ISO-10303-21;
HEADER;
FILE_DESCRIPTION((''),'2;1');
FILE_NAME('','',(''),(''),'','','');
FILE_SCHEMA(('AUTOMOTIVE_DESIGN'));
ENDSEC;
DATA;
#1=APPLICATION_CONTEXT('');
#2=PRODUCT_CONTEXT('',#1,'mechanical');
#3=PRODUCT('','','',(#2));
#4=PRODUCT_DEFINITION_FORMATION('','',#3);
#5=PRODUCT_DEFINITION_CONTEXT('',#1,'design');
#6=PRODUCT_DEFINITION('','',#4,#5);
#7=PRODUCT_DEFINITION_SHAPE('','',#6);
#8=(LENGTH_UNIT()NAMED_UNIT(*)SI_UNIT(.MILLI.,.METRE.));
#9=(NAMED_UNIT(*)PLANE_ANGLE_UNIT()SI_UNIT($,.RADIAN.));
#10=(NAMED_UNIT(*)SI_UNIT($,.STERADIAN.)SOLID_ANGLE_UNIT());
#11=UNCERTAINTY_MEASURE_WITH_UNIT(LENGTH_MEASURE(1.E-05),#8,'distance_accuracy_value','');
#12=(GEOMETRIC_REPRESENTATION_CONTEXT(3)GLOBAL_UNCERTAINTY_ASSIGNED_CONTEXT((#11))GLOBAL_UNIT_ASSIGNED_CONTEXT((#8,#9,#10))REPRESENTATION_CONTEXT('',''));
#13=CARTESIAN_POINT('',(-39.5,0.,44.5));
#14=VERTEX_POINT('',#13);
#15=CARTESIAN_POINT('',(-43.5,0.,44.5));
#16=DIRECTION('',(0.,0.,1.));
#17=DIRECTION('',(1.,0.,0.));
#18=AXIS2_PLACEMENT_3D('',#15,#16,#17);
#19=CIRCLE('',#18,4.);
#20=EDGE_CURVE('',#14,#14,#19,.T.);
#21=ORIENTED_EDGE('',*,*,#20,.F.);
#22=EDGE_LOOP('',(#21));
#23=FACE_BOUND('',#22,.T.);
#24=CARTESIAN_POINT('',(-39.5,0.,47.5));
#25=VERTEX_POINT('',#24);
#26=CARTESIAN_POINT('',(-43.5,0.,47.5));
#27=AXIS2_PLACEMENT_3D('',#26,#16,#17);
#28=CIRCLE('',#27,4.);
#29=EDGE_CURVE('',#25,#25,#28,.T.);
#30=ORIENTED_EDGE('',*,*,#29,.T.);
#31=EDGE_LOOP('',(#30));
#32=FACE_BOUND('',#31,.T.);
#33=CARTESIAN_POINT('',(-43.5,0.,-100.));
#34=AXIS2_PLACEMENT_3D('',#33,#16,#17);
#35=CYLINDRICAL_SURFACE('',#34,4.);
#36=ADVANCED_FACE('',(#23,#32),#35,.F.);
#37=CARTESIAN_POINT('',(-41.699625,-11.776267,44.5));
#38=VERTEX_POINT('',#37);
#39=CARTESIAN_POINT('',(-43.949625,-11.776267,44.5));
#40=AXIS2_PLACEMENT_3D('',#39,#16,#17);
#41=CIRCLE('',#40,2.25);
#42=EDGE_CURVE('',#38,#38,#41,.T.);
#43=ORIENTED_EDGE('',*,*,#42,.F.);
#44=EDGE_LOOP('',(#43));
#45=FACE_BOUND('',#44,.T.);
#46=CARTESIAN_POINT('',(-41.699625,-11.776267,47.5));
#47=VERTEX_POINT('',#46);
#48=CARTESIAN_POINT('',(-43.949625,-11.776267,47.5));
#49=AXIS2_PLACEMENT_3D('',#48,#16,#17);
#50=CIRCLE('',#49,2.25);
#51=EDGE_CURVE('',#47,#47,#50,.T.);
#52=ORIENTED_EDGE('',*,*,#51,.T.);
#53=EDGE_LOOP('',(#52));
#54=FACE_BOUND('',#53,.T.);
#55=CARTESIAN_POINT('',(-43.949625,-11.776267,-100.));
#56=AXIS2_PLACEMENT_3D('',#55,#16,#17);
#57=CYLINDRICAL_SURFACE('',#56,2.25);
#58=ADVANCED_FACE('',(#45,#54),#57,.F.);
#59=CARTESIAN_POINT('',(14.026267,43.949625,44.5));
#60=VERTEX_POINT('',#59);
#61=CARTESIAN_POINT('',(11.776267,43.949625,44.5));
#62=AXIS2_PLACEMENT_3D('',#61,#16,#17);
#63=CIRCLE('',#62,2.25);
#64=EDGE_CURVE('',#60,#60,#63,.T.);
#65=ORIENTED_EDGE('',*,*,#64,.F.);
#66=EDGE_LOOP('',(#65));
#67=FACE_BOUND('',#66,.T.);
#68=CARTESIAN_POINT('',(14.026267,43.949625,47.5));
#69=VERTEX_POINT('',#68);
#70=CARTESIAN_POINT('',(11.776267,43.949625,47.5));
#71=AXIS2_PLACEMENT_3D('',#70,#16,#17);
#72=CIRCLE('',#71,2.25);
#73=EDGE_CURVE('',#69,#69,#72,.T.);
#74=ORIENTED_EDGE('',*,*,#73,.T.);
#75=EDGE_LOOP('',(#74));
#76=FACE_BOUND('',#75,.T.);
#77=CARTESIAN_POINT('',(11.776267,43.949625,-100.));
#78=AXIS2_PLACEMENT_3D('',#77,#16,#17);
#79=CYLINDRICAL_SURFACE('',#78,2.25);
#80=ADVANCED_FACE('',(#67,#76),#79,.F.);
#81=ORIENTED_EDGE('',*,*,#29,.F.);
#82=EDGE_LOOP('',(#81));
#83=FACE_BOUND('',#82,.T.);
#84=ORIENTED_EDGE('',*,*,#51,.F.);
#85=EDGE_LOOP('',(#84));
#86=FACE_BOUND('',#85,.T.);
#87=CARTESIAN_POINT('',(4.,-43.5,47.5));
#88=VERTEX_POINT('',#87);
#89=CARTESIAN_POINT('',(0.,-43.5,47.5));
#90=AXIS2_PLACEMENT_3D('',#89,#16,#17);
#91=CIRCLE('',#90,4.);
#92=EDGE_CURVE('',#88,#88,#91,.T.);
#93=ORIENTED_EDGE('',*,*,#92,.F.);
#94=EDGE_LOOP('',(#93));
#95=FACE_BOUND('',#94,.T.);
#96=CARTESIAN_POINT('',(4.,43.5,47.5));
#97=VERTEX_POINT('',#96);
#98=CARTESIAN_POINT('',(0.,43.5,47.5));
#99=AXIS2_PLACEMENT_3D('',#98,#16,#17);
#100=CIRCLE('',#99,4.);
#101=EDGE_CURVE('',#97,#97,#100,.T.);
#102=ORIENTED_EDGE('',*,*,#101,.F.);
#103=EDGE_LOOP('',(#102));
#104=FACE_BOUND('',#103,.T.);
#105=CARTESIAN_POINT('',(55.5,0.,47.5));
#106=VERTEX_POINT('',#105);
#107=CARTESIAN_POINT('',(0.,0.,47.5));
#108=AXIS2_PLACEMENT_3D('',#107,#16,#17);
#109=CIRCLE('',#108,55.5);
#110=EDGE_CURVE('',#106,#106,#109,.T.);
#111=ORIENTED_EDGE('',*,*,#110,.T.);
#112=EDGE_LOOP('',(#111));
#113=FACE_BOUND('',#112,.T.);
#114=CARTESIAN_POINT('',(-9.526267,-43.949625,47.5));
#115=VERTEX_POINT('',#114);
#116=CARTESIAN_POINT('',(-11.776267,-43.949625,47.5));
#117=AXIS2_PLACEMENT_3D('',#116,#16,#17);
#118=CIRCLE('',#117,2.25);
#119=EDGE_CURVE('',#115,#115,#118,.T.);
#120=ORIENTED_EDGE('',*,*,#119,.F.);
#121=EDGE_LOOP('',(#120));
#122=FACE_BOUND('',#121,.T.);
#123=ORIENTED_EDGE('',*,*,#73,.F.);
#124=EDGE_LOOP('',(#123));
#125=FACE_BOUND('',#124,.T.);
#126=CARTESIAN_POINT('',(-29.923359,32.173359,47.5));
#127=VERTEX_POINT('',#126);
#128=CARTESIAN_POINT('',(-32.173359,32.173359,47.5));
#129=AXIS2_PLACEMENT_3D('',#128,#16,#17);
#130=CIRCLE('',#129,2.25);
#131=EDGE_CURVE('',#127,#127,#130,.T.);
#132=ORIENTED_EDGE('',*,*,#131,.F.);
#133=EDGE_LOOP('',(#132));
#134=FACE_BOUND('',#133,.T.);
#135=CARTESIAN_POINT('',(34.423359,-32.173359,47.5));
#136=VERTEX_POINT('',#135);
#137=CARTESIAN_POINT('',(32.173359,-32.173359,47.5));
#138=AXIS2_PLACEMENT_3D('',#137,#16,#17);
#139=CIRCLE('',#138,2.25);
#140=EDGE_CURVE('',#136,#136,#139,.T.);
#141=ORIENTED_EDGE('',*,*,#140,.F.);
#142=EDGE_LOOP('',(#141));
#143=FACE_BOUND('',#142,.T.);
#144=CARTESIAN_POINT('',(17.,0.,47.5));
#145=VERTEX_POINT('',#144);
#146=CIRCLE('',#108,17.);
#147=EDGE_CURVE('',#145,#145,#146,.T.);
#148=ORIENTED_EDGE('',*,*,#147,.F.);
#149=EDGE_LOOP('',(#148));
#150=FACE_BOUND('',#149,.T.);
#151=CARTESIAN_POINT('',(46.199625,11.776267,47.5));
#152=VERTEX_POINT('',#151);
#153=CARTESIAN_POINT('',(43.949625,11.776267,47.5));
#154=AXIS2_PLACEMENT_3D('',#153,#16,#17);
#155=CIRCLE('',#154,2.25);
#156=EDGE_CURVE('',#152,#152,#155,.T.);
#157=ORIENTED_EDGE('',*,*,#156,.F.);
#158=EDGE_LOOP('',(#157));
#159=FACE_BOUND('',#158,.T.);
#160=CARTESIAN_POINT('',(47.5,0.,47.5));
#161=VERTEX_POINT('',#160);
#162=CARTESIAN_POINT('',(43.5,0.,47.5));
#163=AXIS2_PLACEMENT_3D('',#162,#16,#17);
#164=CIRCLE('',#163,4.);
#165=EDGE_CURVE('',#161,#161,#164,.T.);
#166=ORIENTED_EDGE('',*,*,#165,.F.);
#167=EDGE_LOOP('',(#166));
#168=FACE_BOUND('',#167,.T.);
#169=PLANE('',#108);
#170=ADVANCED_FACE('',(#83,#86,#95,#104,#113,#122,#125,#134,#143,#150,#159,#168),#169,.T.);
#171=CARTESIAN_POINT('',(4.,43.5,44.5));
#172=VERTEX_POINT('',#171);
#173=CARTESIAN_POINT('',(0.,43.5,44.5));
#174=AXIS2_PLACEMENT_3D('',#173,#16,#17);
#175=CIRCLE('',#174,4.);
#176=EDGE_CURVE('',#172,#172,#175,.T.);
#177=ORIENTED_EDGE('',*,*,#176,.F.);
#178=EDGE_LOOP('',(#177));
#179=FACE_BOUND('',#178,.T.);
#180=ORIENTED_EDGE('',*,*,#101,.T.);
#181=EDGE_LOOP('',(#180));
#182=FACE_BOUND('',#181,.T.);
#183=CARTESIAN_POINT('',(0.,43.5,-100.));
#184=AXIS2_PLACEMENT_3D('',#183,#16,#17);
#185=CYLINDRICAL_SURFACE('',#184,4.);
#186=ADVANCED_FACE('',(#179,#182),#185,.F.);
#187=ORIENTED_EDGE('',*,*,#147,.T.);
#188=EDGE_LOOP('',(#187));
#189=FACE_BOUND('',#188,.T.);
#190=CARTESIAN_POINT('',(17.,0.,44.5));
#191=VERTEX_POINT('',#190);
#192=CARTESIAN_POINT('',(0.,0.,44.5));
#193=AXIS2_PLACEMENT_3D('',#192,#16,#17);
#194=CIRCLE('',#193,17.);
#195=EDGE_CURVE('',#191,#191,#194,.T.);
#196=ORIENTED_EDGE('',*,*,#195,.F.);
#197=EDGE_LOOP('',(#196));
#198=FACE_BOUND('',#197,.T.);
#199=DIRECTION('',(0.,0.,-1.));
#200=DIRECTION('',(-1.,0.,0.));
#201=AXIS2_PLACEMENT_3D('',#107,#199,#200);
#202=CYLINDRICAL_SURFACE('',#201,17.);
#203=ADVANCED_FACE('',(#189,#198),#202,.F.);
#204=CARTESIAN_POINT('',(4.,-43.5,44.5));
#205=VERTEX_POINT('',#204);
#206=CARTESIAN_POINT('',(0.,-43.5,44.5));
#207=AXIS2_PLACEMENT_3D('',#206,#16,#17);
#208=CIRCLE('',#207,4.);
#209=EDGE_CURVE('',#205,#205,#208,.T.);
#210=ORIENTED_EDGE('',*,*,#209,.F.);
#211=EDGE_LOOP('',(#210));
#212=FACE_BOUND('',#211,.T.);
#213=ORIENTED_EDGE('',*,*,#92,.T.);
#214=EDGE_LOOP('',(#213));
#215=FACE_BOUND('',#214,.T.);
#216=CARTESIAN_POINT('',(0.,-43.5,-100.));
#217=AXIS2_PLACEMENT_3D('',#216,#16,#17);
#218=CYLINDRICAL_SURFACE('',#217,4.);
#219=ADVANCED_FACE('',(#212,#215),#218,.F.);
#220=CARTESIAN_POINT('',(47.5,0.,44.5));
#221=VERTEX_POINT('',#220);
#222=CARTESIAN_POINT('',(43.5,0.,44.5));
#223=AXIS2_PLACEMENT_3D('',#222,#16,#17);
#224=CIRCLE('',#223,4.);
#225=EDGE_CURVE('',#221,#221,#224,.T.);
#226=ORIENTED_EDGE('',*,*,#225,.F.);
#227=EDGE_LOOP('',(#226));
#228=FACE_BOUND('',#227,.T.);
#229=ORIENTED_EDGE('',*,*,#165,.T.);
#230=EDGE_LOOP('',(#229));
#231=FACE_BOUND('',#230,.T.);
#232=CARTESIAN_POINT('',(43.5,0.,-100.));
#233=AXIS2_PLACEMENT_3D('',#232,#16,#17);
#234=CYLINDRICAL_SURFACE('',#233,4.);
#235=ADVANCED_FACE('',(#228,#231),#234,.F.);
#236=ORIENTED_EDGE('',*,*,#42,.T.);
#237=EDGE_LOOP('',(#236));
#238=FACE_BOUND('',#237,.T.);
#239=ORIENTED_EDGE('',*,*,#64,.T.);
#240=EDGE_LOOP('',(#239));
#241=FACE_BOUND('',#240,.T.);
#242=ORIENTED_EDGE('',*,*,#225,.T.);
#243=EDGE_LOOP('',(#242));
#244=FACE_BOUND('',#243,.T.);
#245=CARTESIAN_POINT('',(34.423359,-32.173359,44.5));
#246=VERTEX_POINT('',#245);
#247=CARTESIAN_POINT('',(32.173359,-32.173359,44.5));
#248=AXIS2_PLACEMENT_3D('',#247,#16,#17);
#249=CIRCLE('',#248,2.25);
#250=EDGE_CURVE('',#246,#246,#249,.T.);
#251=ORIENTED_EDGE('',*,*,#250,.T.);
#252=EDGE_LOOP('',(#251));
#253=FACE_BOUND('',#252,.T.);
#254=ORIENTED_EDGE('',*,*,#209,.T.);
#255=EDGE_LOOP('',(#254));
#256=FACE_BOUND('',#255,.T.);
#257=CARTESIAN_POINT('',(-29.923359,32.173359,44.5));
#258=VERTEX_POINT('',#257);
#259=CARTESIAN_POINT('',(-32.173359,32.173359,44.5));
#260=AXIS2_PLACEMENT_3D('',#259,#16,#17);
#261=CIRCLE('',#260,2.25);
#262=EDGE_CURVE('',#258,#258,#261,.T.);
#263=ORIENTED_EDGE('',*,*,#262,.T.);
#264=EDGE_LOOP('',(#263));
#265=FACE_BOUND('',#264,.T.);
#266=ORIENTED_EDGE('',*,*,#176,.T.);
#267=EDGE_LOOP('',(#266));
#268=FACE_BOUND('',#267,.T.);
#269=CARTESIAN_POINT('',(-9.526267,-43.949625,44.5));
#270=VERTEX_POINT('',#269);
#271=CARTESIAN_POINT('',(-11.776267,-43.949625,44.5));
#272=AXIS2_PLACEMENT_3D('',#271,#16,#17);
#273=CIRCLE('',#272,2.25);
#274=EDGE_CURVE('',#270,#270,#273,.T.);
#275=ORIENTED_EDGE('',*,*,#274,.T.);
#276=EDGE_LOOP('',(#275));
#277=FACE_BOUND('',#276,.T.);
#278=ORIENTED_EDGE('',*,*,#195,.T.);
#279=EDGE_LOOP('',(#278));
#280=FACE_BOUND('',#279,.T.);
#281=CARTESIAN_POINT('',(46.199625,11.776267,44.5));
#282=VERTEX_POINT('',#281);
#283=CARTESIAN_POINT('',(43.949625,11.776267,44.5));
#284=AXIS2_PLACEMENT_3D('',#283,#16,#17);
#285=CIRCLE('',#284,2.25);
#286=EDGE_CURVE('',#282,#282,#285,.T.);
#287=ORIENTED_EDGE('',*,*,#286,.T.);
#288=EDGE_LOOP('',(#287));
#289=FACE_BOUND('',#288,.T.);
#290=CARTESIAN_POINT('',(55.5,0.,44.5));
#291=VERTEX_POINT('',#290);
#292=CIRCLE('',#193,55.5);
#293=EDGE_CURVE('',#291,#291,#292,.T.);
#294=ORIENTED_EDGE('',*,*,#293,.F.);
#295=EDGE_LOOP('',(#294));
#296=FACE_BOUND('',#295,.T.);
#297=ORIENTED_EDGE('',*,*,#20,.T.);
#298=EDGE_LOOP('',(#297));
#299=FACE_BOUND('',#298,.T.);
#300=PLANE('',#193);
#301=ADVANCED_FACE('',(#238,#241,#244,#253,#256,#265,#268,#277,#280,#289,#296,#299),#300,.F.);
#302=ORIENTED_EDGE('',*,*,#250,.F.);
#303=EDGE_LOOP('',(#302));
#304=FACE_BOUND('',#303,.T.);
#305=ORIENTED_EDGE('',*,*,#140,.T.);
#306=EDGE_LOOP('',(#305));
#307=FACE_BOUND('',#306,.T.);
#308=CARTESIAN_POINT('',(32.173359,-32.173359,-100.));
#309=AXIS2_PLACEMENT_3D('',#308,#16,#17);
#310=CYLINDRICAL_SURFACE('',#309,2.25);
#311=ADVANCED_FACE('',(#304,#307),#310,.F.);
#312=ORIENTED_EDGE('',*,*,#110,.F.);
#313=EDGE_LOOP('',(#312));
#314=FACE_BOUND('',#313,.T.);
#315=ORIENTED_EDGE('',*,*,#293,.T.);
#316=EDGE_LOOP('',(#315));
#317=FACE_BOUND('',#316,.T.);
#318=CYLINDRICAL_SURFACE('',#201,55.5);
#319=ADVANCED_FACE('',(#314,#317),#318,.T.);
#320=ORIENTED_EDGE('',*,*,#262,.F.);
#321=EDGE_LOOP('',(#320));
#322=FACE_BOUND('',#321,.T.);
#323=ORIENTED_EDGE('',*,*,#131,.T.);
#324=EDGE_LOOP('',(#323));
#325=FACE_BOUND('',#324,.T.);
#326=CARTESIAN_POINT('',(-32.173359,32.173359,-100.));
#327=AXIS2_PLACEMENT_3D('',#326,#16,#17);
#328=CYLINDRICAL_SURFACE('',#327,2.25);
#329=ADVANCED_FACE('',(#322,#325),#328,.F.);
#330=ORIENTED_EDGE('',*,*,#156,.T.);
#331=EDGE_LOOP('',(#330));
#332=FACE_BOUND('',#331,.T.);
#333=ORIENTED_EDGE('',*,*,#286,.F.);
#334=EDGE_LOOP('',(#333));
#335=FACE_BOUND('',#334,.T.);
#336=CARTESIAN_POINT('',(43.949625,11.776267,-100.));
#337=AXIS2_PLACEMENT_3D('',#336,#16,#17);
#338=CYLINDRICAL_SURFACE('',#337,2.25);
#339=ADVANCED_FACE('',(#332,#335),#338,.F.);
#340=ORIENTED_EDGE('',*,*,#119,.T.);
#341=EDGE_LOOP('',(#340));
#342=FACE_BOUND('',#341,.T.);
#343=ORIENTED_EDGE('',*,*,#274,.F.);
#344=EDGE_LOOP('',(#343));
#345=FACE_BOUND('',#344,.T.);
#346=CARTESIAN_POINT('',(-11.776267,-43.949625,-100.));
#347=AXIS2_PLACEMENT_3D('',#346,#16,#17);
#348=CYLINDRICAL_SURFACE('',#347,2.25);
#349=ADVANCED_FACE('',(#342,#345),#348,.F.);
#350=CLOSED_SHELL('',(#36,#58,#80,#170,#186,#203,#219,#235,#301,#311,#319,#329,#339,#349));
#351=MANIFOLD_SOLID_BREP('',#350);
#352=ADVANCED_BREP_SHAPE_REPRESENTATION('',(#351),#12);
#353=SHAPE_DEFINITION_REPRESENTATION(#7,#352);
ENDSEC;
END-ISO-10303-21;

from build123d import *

# Parameters (mm, degrees)
CARRIER_FRONT_START = 44.5
SKETCH_1_R          = 55.5
SKETCH_1_R_2        = 17
CARRIER_FRONT_DEPTH = 3
SKETCH_2_R          = 2.25
THROUGH_HOLES_DEPTH = 100
SKETCH_3_R          = 4
CUT_EXTRUDE_2_DEPTH = 100


with BuildPart() as part:
    # Эскиз1 → Carrier_front (new body)
    with BuildSketch(Plane.XY.offset(CARRIER_FRONT_START)):
        Circle(SKETCH_1_R)
        Circle(SKETCH_1_R_2, mode=Mode.SUBTRACT)
    extrude(amount=CARRIER_FRONT_DEPTH)

    # Эскиз2 → Through_holes (cut, symmetric)
    with BuildSketch(Plane.XY):
        with Locations((43.5, 0)):
            Circle(SKETCH_2_R)
        with Locations((0, 43.5)):
            Circle(SKETCH_2_R)
        with Locations((-43.5, 0)):
            Circle(SKETCH_2_R)
        with Locations((0, -43.5)):
            Circle(SKETCH_2_R)
        with Locations((43.949625096, 11.776266552)):
            Circle(SKETCH_2_R)
        with Locations((11.776266552, 43.949625096)):
            Circle(SKETCH_2_R)
        with Locations((-32.173358544, 32.173358544)):
            Circle(SKETCH_2_R)
        with Locations((-43.949625096, -11.776266552)):
            Circle(SKETCH_2_R)
        with Locations((-11.776266552, -43.949625096)):
            Circle(SKETCH_2_R)
        with Locations((32.173358544, -32.173358544)):
            Circle(SKETCH_2_R)
    extrude(amount=THROUGH_HOLES_DEPTH, both=True, mode=Mode.SUBTRACT)

    # Эскиз3 → Вырез-Вытянуть2 (cut, symmetric)
    with BuildSketch(Plane.XY):
        with Locations((43.5, 0)):
            Circle(SKETCH_3_R)
        with Locations((0, 43.5)):
            Circle(SKETCH_3_R)
        with Locations((-43.5, 0)):
            Circle(SKETCH_3_R)
        with Locations((0, -43.5)):
            Circle(SKETCH_3_R)
    extrude(amount=CUT_EXTRUDE_2_DEPTH, both=True, mode=Mode.SUBTRACT)


solid = part.part
